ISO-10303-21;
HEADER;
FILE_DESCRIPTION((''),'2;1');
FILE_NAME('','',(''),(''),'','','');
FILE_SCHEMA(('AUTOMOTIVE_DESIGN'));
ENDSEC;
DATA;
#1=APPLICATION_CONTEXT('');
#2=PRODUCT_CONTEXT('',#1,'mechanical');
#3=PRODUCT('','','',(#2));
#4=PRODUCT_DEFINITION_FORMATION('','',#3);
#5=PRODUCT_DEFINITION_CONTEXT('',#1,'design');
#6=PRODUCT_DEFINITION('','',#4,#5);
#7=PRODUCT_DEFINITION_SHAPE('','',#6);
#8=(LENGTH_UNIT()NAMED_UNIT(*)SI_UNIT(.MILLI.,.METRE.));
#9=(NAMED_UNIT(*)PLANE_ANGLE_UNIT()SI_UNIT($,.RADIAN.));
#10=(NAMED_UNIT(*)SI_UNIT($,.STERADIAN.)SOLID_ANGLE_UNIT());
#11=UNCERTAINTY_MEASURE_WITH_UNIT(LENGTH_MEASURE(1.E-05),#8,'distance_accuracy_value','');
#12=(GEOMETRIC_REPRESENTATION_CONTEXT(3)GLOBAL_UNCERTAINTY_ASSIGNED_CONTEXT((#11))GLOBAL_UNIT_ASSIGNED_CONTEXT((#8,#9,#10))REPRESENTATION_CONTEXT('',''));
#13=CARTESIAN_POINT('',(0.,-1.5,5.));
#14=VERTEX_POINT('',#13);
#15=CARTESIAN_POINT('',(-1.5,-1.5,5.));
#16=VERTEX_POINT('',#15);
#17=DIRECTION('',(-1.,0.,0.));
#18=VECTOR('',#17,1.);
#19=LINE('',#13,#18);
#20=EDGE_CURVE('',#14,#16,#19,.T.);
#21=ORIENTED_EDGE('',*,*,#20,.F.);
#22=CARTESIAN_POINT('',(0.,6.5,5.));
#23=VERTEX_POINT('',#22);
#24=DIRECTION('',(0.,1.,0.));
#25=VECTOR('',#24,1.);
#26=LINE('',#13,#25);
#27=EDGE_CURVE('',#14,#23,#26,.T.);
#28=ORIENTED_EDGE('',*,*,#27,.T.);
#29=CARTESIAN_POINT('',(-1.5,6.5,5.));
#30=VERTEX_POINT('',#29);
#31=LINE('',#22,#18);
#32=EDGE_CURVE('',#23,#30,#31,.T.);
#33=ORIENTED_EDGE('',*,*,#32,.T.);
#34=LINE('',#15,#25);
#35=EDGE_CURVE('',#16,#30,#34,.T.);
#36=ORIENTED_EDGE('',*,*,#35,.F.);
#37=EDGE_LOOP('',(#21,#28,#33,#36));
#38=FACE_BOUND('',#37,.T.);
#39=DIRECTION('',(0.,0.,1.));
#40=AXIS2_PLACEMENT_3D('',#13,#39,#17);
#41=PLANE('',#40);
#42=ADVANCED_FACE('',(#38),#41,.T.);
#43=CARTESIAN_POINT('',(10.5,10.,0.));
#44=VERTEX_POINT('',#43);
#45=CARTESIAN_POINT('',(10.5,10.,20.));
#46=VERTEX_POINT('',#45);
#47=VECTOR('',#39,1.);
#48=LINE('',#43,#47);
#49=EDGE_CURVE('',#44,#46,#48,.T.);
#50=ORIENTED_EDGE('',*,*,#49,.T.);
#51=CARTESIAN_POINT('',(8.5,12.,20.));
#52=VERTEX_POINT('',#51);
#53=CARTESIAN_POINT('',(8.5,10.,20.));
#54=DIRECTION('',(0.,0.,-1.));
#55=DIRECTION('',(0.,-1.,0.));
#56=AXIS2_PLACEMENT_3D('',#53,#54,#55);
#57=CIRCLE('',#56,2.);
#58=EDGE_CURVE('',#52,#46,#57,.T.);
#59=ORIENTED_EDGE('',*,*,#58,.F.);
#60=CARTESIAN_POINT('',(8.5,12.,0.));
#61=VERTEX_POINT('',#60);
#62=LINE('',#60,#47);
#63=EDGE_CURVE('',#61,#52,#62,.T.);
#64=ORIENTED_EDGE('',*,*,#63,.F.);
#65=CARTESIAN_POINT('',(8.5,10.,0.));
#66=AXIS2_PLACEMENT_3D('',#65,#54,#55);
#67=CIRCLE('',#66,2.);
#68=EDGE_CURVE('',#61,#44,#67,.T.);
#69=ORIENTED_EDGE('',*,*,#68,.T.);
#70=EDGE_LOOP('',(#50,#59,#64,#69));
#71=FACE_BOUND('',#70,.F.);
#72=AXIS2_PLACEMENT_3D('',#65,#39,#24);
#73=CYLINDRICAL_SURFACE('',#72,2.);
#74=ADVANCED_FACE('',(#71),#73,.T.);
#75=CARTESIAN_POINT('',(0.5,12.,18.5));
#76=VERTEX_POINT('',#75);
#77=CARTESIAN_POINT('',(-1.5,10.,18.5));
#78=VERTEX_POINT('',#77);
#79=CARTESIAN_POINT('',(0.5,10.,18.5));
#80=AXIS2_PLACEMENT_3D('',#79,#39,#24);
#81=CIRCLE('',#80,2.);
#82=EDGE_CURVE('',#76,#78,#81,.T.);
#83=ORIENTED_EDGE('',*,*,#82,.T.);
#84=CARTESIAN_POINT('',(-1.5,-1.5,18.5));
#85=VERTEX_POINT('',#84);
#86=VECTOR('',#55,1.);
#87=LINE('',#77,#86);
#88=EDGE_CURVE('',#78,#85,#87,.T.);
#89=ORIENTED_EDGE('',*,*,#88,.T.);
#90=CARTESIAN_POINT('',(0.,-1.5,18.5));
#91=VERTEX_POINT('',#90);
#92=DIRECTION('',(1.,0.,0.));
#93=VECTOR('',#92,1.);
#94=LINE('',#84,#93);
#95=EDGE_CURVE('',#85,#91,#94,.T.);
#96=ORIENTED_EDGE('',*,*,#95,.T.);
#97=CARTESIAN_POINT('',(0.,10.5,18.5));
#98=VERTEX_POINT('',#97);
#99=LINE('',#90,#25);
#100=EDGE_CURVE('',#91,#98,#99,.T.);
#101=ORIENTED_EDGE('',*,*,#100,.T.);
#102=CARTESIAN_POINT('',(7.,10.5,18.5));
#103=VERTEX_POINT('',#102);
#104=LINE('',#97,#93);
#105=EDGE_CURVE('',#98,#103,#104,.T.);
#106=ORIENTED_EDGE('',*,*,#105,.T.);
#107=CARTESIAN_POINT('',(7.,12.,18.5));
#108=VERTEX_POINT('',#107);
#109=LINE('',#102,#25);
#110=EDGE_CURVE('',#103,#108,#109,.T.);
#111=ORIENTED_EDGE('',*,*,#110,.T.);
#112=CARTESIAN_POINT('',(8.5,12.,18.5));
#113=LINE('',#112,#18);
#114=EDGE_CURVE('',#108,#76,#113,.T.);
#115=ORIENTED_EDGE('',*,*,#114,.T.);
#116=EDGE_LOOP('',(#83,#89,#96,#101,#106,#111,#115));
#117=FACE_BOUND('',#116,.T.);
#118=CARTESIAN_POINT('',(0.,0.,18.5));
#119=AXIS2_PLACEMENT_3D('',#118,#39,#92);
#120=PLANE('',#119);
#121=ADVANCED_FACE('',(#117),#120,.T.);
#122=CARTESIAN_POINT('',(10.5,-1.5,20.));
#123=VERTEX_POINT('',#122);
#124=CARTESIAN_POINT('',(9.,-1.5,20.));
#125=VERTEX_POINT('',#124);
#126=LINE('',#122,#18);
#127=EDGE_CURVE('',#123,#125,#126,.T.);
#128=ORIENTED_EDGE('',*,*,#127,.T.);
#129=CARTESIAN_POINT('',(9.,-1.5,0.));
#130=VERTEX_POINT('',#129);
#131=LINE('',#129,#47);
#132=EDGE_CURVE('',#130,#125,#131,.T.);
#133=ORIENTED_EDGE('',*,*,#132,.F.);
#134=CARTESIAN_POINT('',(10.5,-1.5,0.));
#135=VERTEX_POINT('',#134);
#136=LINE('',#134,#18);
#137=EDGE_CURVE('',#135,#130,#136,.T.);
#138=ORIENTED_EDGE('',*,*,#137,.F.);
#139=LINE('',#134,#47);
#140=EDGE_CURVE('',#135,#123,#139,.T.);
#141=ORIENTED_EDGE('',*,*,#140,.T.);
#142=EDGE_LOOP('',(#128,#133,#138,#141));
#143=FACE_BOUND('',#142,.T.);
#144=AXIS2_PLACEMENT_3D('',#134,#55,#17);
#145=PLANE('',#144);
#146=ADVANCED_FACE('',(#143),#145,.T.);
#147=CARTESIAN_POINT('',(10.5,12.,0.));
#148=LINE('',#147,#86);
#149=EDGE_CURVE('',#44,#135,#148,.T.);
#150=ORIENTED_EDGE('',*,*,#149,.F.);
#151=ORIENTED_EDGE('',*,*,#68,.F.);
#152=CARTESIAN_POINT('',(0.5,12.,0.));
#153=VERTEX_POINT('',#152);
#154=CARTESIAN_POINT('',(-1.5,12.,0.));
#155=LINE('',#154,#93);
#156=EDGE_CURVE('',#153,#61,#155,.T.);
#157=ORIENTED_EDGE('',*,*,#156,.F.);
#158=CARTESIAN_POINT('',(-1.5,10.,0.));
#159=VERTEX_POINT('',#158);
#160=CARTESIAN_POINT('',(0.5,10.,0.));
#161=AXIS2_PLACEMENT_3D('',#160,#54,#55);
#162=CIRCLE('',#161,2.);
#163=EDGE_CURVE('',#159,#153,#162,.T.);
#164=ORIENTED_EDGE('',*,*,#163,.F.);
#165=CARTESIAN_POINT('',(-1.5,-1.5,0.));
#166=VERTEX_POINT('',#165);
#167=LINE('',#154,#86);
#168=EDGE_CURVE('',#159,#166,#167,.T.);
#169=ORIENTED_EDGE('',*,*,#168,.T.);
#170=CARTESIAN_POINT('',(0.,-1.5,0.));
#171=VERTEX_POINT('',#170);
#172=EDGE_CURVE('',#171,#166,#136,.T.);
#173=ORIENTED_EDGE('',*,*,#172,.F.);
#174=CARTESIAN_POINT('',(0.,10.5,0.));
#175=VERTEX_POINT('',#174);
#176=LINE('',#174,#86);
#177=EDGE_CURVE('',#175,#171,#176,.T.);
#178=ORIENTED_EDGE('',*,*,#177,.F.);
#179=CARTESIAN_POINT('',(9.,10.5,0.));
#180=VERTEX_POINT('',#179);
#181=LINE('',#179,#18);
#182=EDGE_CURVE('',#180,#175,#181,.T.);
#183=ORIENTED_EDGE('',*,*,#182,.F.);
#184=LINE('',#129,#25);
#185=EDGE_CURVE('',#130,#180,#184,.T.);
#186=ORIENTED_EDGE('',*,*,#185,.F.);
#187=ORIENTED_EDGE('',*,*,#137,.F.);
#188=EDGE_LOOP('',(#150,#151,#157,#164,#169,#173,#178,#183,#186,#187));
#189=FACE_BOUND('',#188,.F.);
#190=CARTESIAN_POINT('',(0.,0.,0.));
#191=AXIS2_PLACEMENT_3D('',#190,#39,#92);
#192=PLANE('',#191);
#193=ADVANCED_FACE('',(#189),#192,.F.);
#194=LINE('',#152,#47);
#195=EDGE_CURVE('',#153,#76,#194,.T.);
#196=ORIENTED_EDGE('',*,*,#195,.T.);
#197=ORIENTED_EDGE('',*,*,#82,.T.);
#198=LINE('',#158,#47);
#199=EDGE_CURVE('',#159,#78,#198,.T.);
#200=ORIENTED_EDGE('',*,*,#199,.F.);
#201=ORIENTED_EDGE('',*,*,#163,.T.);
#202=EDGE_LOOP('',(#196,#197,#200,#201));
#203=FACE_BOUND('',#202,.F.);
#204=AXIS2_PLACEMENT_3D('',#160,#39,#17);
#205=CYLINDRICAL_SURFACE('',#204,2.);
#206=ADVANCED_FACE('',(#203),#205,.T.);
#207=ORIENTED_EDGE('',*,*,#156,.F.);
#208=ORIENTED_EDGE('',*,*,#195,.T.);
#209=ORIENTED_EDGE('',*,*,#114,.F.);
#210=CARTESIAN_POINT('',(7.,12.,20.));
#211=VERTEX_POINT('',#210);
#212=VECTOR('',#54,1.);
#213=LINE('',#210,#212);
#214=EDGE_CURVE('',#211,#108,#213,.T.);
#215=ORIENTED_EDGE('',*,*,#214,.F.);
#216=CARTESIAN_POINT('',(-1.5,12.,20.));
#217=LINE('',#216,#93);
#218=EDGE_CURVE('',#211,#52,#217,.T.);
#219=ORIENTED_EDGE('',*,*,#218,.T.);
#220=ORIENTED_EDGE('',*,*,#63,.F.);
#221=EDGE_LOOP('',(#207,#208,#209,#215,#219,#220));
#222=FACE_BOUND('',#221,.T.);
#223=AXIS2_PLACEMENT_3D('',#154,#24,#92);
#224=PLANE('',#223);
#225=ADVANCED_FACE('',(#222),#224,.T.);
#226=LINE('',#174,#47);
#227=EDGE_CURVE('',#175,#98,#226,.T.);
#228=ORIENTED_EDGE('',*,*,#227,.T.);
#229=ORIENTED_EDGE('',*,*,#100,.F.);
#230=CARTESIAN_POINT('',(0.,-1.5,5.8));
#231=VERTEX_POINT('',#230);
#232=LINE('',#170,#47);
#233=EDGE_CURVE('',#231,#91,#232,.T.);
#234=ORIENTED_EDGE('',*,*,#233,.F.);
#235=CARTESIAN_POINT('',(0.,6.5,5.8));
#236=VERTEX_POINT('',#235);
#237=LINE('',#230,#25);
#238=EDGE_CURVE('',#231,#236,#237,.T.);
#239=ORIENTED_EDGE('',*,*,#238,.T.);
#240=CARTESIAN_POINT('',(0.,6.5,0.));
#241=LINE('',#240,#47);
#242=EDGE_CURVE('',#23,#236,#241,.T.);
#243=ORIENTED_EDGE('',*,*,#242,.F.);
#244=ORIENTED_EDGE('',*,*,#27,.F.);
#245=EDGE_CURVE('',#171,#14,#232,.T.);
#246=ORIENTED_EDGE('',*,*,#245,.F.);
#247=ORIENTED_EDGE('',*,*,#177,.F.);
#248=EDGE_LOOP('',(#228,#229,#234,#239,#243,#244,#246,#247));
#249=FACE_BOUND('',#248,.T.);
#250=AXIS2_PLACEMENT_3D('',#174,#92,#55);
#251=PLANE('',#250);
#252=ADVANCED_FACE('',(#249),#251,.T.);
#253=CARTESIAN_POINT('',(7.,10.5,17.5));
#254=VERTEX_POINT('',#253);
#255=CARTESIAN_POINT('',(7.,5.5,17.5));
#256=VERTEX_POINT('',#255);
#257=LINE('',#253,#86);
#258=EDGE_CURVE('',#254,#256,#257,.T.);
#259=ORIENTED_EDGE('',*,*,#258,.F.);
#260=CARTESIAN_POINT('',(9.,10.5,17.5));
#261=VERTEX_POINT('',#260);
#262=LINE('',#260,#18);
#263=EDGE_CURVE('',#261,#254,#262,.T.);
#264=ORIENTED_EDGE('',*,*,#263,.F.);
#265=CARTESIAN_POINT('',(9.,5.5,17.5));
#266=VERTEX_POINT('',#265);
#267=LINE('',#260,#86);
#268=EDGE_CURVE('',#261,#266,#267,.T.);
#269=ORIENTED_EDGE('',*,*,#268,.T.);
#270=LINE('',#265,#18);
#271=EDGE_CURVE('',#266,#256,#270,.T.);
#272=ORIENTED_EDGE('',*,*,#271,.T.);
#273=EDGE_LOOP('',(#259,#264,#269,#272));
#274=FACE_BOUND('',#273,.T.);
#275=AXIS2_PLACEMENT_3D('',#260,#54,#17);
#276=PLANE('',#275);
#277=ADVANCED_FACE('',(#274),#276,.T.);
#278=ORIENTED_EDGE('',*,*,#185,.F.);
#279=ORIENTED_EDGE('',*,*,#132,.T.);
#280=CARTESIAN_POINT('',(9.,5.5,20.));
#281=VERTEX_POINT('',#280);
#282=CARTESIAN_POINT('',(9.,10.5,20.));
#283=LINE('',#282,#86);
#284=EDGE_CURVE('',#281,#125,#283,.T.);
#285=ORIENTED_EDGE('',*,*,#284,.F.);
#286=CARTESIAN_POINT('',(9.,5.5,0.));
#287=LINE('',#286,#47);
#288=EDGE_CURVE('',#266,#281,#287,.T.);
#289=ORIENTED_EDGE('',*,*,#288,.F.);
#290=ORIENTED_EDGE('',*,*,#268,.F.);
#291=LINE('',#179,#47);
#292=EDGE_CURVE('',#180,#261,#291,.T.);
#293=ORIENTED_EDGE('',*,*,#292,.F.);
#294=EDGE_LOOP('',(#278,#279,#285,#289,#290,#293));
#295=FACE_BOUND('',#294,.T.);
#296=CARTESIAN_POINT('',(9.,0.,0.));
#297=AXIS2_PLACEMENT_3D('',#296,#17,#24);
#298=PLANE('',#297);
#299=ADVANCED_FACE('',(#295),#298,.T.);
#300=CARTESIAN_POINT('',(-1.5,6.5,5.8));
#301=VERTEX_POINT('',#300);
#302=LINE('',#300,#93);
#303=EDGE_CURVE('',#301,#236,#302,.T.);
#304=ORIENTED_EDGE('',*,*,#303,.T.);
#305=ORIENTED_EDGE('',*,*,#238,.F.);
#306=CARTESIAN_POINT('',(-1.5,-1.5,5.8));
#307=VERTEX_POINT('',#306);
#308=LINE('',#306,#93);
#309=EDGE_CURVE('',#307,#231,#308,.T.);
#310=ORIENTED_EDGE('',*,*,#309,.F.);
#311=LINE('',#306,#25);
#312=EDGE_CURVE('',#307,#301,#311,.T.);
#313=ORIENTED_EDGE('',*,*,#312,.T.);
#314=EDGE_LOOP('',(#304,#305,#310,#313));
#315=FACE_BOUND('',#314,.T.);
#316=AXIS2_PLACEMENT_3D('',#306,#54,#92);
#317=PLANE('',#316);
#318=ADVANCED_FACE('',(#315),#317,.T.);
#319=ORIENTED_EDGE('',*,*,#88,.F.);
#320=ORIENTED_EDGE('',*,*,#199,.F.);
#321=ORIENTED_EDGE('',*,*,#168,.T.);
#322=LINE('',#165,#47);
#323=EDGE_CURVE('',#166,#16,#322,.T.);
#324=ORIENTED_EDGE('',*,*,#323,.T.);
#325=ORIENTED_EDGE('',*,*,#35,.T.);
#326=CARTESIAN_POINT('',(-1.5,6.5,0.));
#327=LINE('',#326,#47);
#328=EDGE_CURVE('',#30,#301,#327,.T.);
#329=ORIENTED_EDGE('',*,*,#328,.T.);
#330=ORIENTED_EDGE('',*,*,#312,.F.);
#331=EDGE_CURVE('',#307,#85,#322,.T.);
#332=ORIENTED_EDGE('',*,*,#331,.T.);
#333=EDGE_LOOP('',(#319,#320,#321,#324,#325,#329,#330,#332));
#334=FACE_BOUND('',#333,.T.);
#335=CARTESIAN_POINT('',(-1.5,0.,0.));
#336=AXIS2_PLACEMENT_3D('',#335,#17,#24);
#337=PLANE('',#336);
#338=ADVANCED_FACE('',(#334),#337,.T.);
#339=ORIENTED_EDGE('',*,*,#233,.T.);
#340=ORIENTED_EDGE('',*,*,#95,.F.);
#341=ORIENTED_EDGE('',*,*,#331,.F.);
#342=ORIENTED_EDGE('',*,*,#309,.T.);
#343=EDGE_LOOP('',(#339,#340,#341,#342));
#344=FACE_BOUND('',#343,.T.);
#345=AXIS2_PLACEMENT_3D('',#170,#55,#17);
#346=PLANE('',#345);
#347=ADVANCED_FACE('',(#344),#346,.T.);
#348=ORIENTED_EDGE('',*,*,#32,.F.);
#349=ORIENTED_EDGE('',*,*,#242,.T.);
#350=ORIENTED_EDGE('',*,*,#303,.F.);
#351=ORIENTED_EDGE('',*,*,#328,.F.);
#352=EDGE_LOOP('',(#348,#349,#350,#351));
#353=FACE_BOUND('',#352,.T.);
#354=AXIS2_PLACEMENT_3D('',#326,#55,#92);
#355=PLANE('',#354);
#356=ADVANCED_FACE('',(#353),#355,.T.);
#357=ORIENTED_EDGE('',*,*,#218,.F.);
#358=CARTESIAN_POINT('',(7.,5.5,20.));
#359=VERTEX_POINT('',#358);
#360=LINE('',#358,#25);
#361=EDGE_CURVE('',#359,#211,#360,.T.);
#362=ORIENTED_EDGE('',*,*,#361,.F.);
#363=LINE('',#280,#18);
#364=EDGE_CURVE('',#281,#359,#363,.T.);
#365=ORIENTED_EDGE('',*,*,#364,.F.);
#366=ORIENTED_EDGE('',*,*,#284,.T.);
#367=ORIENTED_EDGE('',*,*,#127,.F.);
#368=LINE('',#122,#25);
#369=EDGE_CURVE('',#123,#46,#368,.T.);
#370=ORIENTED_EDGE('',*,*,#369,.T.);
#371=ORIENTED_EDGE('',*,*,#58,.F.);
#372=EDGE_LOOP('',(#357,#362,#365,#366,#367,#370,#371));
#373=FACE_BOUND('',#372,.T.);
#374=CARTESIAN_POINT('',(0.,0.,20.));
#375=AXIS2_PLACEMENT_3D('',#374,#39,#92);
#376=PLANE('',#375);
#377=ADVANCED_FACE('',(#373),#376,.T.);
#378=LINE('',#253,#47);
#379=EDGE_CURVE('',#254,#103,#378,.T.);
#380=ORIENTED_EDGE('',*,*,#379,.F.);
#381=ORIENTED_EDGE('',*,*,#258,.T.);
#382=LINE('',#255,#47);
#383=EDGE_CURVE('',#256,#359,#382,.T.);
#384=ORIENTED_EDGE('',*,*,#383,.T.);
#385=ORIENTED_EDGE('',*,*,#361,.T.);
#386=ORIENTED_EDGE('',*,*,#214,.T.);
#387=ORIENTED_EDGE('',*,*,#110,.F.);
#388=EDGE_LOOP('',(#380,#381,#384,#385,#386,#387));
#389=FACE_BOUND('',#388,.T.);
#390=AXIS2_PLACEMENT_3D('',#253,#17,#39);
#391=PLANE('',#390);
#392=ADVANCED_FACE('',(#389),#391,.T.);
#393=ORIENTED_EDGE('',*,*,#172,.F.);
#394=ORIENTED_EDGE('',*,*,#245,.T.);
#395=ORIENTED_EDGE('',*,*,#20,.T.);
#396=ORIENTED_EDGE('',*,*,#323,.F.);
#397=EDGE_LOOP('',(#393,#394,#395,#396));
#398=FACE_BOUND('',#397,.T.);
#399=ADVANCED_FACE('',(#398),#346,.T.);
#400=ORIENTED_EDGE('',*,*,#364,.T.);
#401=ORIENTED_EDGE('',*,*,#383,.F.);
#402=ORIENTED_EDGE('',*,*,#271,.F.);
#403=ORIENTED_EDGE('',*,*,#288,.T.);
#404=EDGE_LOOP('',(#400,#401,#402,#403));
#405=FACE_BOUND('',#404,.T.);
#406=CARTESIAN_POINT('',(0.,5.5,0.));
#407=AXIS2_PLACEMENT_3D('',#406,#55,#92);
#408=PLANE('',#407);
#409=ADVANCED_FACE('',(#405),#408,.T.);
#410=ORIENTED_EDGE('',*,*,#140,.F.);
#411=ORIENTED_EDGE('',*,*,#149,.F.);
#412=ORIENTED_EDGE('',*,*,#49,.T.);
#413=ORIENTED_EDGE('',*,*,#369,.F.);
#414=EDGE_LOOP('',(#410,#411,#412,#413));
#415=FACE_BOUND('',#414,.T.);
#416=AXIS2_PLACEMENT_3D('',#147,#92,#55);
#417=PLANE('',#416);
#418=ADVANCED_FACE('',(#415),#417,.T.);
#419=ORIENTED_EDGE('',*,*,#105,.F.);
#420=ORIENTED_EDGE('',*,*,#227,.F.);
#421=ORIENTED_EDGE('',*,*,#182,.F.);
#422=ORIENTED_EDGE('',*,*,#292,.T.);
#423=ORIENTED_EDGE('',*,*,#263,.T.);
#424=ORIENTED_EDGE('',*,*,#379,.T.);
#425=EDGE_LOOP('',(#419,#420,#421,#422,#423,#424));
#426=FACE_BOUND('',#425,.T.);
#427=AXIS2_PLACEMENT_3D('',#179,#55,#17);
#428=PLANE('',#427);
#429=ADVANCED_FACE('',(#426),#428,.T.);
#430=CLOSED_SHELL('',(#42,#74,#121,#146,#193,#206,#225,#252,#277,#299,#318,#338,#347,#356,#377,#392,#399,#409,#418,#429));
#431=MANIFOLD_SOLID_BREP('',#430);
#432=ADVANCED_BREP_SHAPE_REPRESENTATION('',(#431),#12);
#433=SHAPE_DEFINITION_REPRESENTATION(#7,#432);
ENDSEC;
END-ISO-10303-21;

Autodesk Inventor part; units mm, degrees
ref_plane "YZ Plane" through (0, 0, 0) normal (1, 0, 0) x (0, 1, 0)
ref_plane "XZ Plane" through (0, 0, 0) normal (0, 1, 0) x (-1, 0, 0)
ref_plane "XY Plane" through (0, 0, 0) normal (0, 0, 1) x (1, 0, 0)
sketch "스케치1" plane through (0, 0, 0) normal (0, 0, 1) x (1, 0, 0)
  line L0 (0, 0) -> (9, 0)
  line L1 (9, 0) -> (9, 10.5)
  line L2 (9, 10.5) -> (0, 10.5)
  line L3 (0, 10.5) -> (0, 0)
  line L4 (-1.5, 12) -> (10.5, 12)
  line L5 (10.5, 12) -> (10.5, -1.5)
  line L6 (10.5, -1.5) -> (-1.5, -1.5)
  line L7 (-1.5, -1.5) -> (-1.5, 12)
  line L8 (0, 0) -> (0, -1.5)
  line L9 (9, 0) -> (9, -1.5)
  line L10 (0, 0) -> (-1.5, 0)
  line L11 (9, 0) -> (10.5, 0)
  dimension "d0" = 9
  dimension "d1" = 10.5
  dimension "d2" = 1.5
extrude "돌출1" add sketch "스케치1" along normal blind 20 contours L10 L7 L4 L5 L11 L1 L2 L3 | L8 L6 L7 L10 | L11 L5 L6 L9
sketch "스케치2" plane through (-1.5, -1.5, 0) normal (0, -1, 0) x (1, 0, 0)
  line L0 (0, 0) -> (1.5, 0) projected
  line L1 (1.5, 0) -> (1.5, 20) projected
  line L2 (0, 20) -> (1.5, 20) projected
  line L3 (0, 0) -> (0, 20) projected
  line L4 (1.5, 5) -> (0, 5)
  line L5 (0, 5) -> (0, 5.8)
  line L6 (0, 5.8) -> (1.5, 5.8)
  line L7 (1.5, 5.8) -> (1.5, 5)
  point P0 (1.5, 0)
  point P1 (1.5, 5.8)
  point P2 (0, 5)
  dimension "d5" = 0.8
  dimension "d6" = 5
extrude "돌출2" cut sketch "스케치2" against normal blind 8 contours L3 L6 L1 L4
fillet "모깎기1" radius 2 2 edges at (-1.5, 12, 10) (10.5, 12, 10)
sketch "스케치5" plane through (0, 10.5, 0) normal (0, -1, 0) x (1, 0, 0)
  line L0 (0, 0) -> (9, 0) projected
  line L1 (9, 0) -> (9, 20) projected
  line L2 (0, 20) -> (9, 20) projected
  line L3 (0, 0) -> (0, 20) projected
  line L4 (9, 17.5) -> (7, 17.5)
  line L5 (7, 17.5) -> (7, 20)
  line L6 (8.5, 20) -> (0.5, 20) projected
  point P0 (0, 0)
  dimension "d21" = 2.5
  dimension "d22" = 2
extrude "돌출5" add sketch "스케치5" along normal blind 5 contours L4 L5 L2 L1
sketch "스케치7" plane through (0, 0, 20) normal (0, 0, 1) x (1, 0, 0)
  arc A0 (10.5, 10) -> (8.5, 12) centre (8.5, 10) ccw projected
  line L0 (8.5, 12) -> (0.5, 12) projected
  arc A1 (0.5, 12) -> (-1.5, 10) centre (0.5, 10) ccw projected
  line L1 (-1.5, 10) -> (-1.5, -1.5) projected
  line L2 (-1.5, -1.5) -> (0, -1.5) projected
  line L3 (0, -1.5) -> (0, 10.5) projected
  line L4 (0, 10.5) -> (7, 10.5) projected
  line L5 (7, 10.5) -> (7, 5.5) projected
  line L6 (9, 5.5) -> (7, 5.5) projected
  line L7 (9, 5.5) -> (9, -1.5) projected
  line L8 (9, -1.5) -> (10.5, -1.5) projected
  line L9 (10.5, -1.5) -> (10.5, 10) projected
  line L10 (0, 10.5) -> (9, 10.5) projected
  line L11 (7, 10.5) -> (7, 12)
  line L12 (8.5, 12) -> (0.5, 12) projected
  point P0 (0, 0)
extrude "돌출6" cut sketch "스케치7" against normal blind 1.5 contours L11 L4 L3 L2 L1 A1 L0
properties part number "_3D 인쇄"
